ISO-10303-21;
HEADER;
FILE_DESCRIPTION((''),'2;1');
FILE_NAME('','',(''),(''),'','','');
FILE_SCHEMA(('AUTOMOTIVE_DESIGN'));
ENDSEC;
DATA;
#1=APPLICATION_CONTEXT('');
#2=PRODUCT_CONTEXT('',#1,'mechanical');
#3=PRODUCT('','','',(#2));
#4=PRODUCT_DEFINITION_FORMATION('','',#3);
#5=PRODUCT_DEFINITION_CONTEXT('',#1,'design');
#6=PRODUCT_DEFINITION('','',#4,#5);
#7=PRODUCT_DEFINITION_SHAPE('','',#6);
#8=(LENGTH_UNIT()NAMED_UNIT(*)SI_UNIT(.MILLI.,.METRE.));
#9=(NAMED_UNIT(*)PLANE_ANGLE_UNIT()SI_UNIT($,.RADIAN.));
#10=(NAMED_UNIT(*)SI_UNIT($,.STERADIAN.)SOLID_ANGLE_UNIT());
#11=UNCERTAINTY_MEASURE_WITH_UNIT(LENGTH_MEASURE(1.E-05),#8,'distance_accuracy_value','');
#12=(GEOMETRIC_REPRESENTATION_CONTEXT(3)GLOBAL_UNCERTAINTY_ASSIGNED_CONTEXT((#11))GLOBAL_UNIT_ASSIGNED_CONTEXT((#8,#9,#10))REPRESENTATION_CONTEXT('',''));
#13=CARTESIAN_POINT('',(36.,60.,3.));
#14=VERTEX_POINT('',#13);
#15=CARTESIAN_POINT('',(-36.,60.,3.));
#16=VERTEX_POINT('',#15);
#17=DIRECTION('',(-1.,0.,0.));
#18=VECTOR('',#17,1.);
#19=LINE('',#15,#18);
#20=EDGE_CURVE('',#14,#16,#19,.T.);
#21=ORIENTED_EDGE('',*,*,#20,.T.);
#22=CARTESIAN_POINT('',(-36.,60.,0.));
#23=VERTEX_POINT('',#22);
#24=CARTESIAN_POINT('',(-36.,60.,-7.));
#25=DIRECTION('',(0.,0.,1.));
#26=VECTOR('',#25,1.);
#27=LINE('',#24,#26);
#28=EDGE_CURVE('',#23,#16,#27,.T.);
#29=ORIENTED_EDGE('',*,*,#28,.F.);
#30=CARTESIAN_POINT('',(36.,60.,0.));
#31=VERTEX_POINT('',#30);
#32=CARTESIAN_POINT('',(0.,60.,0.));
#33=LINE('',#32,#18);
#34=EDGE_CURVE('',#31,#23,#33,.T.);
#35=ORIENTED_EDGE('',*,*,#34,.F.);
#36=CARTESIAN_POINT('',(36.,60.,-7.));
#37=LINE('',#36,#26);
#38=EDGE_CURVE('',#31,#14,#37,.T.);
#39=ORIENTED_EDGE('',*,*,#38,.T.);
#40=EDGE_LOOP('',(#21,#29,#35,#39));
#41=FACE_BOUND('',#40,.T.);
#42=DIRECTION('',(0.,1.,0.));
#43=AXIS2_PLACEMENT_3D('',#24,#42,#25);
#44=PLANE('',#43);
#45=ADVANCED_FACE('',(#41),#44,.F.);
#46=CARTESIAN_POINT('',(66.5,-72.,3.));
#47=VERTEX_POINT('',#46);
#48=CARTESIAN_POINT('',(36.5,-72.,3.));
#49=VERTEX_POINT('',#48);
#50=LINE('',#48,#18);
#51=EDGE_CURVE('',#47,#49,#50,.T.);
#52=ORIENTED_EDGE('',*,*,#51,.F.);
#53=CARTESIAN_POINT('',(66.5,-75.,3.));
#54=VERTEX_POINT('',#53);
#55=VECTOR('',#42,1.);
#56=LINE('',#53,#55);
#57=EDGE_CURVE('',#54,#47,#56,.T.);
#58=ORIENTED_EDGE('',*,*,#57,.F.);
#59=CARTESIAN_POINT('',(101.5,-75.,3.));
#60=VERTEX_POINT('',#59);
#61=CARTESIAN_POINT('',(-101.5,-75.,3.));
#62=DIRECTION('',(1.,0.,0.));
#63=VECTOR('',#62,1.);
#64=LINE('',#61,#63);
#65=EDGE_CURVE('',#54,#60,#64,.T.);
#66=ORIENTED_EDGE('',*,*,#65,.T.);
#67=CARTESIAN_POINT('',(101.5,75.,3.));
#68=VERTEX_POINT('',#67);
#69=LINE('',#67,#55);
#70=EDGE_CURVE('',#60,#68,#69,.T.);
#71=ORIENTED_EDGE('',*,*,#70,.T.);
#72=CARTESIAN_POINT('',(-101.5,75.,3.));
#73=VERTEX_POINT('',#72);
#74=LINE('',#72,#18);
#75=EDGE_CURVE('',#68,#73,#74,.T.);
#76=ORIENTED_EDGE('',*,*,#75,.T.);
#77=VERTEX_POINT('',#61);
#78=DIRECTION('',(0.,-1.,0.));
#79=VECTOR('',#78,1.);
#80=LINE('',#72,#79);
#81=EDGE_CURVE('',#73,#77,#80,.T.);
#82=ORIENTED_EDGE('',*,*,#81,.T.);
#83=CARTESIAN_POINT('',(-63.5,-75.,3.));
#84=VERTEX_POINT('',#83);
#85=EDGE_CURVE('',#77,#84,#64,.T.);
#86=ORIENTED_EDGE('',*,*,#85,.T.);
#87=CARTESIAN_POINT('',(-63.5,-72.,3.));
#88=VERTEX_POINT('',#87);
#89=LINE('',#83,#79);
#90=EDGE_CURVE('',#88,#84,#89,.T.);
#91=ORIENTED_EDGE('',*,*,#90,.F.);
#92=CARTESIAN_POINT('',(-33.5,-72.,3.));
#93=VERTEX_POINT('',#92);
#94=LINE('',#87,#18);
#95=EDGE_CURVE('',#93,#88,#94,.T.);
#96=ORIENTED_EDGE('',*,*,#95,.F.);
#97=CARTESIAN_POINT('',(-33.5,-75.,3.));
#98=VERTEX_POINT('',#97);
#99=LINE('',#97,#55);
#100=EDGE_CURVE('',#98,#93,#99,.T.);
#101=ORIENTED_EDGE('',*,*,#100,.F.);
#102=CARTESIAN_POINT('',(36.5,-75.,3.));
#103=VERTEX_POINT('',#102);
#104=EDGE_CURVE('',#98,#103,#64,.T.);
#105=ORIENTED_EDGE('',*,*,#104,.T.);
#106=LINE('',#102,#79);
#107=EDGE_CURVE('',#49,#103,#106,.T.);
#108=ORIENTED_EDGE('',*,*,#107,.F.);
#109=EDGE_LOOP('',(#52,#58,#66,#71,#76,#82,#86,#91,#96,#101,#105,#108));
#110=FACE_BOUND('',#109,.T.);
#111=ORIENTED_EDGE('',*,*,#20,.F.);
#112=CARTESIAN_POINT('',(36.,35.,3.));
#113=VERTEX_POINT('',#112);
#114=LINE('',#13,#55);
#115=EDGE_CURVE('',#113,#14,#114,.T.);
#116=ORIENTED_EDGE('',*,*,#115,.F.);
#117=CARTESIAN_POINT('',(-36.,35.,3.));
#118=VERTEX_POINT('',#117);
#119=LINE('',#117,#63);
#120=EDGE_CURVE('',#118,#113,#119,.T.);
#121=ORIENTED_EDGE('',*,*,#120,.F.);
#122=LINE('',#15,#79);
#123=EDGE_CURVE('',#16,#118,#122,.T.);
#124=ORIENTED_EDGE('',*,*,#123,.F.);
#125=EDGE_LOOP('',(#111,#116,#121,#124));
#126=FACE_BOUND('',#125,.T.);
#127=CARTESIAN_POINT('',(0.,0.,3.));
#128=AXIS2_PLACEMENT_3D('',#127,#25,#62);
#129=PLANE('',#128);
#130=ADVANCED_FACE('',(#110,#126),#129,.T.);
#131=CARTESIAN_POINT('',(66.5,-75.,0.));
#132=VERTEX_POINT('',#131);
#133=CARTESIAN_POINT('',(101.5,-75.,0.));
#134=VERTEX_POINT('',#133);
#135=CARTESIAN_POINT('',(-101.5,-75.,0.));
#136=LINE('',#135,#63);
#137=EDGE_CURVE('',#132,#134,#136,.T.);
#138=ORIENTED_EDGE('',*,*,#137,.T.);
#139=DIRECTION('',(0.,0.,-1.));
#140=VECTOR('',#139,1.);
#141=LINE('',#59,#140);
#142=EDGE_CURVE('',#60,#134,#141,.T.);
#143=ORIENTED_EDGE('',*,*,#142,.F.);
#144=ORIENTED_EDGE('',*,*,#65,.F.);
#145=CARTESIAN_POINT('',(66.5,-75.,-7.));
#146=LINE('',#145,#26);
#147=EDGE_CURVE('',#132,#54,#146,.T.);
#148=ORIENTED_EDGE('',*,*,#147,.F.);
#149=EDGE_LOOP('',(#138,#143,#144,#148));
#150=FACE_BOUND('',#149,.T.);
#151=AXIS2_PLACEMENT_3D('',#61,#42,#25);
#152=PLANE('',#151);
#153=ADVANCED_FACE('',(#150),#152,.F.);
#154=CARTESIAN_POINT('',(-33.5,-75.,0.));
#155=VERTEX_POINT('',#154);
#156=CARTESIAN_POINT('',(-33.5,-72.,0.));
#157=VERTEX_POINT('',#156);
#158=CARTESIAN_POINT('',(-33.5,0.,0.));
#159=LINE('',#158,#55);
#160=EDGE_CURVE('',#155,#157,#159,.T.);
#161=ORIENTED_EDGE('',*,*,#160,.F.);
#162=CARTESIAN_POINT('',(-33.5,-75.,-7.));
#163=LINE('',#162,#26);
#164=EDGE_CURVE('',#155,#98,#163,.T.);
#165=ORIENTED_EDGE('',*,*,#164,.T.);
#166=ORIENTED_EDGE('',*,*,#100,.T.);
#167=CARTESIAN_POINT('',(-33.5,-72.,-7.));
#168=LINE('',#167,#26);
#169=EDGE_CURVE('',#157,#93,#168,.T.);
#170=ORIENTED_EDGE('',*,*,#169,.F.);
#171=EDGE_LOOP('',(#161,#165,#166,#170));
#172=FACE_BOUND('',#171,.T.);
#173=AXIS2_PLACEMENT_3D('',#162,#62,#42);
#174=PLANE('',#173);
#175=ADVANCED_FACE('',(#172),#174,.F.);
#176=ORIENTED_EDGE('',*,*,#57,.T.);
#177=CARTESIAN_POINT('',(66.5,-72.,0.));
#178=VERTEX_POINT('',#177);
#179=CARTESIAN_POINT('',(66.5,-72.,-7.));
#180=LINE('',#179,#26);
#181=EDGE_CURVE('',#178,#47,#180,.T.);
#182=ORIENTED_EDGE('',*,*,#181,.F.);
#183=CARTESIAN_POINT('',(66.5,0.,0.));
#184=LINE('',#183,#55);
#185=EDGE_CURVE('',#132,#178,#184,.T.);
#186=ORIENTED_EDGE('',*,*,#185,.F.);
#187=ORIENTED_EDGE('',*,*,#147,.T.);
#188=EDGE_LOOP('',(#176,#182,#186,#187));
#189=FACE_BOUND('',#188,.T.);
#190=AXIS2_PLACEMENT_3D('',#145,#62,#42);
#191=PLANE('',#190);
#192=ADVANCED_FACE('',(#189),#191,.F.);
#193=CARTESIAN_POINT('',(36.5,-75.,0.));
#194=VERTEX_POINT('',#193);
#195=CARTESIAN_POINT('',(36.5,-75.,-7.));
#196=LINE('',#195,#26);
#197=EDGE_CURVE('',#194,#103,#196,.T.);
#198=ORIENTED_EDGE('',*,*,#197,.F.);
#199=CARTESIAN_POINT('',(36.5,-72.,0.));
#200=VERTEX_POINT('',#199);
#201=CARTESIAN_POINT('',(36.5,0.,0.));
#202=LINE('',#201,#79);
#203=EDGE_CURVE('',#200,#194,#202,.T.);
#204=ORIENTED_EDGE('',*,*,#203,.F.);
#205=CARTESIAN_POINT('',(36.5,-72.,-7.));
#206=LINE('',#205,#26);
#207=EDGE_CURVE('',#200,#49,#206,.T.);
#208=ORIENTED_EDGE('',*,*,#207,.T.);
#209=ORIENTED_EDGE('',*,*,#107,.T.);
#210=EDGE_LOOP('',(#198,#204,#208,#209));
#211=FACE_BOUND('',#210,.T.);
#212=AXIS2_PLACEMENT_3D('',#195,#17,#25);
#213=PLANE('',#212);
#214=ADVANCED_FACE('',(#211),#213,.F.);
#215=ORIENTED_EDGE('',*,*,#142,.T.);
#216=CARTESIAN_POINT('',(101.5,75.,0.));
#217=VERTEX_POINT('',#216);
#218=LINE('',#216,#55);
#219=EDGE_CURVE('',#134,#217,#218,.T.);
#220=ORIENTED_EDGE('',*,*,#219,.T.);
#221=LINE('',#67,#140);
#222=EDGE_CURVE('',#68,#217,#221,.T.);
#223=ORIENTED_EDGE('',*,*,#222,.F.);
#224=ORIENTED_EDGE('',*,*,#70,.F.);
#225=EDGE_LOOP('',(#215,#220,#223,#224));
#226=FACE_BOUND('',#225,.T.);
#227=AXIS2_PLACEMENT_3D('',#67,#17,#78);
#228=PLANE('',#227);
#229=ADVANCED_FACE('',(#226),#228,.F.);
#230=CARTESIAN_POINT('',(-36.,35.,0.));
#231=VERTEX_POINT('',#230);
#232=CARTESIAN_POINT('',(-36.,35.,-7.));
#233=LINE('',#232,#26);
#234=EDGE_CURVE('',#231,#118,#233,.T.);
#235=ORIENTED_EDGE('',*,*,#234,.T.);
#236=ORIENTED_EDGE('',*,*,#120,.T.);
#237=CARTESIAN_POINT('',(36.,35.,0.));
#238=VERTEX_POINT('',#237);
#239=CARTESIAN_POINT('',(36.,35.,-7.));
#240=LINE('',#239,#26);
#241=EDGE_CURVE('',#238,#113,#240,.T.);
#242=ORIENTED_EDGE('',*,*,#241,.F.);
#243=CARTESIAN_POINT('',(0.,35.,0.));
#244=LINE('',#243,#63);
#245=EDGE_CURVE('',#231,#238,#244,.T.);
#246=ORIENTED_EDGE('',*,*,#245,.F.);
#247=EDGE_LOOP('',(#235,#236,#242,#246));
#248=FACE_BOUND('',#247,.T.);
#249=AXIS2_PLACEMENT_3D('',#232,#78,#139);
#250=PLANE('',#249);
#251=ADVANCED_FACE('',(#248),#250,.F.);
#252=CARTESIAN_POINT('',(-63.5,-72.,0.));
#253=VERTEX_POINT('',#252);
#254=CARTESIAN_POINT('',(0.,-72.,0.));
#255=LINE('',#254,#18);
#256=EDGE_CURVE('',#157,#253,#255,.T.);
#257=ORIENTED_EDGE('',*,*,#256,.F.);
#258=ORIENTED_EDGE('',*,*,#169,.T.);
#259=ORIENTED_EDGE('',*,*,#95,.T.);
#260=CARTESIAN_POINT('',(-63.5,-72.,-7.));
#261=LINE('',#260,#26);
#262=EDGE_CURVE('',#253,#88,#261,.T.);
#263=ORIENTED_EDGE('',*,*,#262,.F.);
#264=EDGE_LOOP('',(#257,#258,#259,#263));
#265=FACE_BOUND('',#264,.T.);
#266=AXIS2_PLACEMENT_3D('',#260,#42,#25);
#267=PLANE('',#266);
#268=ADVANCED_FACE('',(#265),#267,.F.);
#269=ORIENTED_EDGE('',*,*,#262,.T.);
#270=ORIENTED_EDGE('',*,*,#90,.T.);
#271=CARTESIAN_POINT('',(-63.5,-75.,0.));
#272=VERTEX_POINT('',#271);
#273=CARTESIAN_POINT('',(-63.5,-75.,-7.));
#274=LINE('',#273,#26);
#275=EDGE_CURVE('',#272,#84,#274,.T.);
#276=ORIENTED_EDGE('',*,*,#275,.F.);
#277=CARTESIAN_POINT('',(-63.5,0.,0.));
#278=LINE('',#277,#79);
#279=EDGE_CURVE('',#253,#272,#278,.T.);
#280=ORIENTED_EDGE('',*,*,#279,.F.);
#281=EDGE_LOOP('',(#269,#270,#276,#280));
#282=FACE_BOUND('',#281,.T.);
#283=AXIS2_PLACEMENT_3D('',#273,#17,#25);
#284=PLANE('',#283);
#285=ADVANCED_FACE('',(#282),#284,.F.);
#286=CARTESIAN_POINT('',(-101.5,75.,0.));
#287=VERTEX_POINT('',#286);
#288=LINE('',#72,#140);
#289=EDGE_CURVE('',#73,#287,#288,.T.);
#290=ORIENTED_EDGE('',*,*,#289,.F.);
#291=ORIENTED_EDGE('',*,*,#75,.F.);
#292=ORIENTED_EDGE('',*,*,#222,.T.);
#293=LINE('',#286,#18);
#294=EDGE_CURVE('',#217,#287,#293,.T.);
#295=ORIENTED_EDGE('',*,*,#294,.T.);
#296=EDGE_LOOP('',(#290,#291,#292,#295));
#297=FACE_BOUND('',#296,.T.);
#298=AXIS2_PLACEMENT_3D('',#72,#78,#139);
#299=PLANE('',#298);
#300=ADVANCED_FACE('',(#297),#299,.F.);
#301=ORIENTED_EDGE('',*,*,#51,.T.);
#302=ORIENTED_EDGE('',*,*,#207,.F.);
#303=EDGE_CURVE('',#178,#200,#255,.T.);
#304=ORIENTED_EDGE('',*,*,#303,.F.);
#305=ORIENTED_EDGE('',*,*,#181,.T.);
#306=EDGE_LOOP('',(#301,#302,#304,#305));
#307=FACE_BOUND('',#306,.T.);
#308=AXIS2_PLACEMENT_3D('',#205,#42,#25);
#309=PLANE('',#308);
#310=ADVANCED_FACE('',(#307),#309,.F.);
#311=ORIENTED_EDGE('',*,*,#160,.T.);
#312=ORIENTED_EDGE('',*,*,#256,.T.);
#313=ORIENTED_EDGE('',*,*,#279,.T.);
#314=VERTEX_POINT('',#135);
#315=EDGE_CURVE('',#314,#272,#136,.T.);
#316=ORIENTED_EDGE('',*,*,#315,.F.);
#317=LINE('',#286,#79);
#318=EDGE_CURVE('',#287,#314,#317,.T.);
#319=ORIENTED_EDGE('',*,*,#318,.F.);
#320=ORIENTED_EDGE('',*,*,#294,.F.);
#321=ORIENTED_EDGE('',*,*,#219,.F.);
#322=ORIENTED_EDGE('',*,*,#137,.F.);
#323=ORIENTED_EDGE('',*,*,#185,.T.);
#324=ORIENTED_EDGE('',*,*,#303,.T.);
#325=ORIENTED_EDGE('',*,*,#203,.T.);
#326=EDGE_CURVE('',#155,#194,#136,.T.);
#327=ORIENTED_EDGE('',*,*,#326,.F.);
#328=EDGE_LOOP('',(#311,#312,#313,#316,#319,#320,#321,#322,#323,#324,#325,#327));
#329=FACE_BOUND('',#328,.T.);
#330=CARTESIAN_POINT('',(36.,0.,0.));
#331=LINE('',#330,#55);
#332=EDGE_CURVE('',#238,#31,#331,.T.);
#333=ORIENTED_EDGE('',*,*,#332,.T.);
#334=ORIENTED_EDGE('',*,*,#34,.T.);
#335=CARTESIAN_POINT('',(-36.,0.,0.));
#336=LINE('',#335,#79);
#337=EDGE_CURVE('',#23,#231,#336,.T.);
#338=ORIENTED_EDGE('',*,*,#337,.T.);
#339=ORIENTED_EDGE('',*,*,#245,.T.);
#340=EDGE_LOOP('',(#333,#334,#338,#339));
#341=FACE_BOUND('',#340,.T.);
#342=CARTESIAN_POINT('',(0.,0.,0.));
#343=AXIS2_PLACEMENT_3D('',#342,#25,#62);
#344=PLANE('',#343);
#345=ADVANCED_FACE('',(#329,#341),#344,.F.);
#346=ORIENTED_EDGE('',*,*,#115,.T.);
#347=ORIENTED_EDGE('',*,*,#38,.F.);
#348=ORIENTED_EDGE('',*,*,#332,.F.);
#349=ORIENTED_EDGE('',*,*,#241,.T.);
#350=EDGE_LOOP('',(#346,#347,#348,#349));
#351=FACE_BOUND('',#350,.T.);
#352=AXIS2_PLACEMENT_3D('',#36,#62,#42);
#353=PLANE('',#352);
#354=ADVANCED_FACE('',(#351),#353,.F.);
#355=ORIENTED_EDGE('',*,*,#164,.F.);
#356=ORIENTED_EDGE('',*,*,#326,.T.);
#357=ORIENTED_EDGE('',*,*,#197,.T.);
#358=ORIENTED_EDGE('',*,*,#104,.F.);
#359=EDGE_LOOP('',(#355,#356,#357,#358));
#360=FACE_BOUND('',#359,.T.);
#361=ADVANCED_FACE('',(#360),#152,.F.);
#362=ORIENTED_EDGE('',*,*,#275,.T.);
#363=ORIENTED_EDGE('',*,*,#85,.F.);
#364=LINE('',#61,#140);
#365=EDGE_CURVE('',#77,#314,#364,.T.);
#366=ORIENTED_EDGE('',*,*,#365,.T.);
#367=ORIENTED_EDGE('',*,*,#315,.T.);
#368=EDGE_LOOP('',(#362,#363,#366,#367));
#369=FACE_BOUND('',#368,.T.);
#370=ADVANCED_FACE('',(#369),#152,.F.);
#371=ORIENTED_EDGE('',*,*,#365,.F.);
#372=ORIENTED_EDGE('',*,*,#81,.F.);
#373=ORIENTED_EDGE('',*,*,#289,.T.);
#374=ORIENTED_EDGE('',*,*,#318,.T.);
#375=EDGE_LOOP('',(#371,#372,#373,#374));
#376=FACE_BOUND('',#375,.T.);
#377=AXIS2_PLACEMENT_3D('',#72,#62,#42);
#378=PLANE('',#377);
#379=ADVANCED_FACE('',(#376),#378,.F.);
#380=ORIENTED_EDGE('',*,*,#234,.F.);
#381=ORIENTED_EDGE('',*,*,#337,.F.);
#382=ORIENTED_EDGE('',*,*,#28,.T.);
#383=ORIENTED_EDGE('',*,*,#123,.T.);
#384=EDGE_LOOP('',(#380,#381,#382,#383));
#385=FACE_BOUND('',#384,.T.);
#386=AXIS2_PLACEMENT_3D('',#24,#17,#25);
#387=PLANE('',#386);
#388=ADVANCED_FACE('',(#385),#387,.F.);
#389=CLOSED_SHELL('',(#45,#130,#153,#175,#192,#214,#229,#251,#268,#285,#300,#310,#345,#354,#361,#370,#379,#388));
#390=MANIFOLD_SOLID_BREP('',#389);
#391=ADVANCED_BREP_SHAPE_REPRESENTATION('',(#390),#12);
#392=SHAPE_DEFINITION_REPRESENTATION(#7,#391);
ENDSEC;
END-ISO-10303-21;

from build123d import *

# Parameters (mm, degrees)
SKETCH1_W           = 203
SKETCH1_H           = 150
BOSS_EXTRUDE1_DEPTH = 3
SKETCH2_W           = 72
SKETCH2_H           = 25
CUT_EXTRUDE1_DEPTH  = 10
SKETCH3_W           = 30
SKETCH3_H           = 3
CUT_EXTRUDE2_DEPTH  = 10


with BuildPart() as part:
    # Sketch1 → Boss-Extrude1 (new body)
    with BuildSketch(Plane.XY):
        Rectangle(SKETCH1_W, SKETCH1_H)
    extrude(amount=BOSS_EXTRUDE1_DEPTH)

    # Sketch2 → Cut-Extrude1 (cut)
    with BuildSketch(Plane.XY.offset(3)):
        with Locations((0, 47.5)):
            Rectangle(SKETCH2_W, SKETCH2_H)
    extrude(amount=-CUT_EXTRUDE1_DEPTH, mode=Mode.SUBTRACT)

    # Sketch3 → Cut-Extrude2 (cut)
    with BuildSketch(Plane.XY.offset(3)):
        with Locations((-48.5, -73.5)):
            Rectangle(SKETCH3_W, SKETCH3_H)
        with Locations((51.5, -73.5)):
            Rectangle(SKETCH3_W, SKETCH3_H)
    extrude(amount=-CUT_EXTRUDE2_DEPTH, mode=Mode.SUBTRACT)


solid = part.part
